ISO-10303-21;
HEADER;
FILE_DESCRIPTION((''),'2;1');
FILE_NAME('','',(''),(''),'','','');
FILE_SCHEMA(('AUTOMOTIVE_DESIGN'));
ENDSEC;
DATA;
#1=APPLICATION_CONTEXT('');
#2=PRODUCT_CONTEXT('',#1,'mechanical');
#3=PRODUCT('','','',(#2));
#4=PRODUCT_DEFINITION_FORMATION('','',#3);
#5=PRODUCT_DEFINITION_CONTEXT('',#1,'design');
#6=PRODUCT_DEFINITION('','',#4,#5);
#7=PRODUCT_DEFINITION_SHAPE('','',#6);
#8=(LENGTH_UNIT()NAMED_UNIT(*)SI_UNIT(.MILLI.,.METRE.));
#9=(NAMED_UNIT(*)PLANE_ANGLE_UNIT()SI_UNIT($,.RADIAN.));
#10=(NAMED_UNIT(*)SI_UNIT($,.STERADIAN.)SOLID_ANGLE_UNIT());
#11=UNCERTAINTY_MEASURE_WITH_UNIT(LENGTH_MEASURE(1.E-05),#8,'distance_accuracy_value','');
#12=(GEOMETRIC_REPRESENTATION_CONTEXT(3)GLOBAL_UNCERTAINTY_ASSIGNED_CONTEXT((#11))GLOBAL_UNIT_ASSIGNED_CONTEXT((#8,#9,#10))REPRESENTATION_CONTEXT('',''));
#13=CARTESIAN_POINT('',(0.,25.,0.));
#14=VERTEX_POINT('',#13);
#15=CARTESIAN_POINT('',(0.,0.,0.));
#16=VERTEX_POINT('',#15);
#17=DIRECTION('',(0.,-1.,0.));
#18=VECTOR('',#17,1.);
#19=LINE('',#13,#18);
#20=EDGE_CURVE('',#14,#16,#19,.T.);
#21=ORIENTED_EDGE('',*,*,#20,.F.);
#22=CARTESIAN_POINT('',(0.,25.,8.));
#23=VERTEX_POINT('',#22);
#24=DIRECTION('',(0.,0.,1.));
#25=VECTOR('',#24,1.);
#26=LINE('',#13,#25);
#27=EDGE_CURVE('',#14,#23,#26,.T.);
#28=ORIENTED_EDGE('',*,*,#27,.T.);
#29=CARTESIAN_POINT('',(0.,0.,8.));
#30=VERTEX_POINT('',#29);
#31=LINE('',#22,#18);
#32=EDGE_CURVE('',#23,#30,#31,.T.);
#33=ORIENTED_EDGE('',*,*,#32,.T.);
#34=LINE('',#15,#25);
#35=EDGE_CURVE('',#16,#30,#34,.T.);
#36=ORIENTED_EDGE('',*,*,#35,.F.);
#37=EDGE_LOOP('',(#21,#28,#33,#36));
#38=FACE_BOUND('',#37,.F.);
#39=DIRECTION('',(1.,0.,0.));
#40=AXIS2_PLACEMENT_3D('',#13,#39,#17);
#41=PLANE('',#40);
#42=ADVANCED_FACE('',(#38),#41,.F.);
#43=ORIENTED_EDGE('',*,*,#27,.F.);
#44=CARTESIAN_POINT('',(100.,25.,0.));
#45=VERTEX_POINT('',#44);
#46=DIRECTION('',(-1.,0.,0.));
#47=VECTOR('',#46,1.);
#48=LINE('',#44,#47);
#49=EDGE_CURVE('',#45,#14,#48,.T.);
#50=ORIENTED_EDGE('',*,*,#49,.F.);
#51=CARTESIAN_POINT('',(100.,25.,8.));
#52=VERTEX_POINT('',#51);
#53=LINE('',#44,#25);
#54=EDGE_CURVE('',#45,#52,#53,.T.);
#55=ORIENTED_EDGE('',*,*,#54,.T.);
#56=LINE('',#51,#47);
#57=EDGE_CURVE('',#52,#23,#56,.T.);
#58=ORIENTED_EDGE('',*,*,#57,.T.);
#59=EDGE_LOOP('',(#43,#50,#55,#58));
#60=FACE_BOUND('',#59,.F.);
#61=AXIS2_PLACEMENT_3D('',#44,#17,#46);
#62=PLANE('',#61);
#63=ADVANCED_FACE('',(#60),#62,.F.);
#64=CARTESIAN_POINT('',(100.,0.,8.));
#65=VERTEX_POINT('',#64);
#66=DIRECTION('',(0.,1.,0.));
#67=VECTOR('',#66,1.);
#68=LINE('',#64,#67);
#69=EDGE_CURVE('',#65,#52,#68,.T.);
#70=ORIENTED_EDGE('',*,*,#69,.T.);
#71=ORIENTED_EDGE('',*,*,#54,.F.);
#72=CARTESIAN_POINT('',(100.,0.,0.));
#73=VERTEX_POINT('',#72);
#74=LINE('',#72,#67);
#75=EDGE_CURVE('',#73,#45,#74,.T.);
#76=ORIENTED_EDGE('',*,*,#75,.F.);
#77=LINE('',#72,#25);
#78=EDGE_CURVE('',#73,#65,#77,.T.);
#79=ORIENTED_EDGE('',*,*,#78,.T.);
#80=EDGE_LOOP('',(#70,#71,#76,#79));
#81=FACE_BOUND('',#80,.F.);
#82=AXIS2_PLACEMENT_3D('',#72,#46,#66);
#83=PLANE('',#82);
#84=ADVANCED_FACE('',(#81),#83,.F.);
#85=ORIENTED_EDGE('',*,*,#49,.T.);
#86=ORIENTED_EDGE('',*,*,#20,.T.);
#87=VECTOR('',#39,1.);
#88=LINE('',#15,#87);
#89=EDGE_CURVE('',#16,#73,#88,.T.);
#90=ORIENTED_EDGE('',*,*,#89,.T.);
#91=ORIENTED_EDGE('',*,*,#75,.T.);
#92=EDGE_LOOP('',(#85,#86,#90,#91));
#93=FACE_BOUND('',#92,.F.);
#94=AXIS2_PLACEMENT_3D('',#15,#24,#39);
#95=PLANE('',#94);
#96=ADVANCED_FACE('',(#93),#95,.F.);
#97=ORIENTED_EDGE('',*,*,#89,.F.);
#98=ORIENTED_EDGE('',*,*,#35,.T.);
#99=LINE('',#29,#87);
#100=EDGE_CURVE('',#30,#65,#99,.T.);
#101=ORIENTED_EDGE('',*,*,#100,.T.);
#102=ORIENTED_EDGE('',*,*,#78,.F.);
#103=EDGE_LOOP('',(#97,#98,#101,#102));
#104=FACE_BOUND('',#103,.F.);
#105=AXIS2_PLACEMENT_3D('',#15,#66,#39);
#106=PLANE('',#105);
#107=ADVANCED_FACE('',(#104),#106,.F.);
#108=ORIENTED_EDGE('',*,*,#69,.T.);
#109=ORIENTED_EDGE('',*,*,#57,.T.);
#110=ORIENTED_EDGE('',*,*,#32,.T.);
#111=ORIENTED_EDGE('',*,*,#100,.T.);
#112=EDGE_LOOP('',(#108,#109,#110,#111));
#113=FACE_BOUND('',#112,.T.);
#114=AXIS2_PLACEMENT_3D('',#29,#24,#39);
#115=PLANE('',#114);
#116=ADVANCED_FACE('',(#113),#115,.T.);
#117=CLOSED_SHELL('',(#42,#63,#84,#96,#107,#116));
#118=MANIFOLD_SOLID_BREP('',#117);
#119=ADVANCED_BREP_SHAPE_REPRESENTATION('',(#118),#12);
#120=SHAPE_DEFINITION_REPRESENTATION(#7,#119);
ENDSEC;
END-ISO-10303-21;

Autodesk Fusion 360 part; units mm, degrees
sketch "Sketch1" plane through (0, 0, 0) normal (0, 0, 1) x (1, 0, 0)
  line L0 (0, 0) -> (100, 0)
  line L1 (100, 0) -> (100, 25)
  line L2 (100, 25) -> (0, 25)
  line L3 (0, 25) -> (0, 0)
extrude "Extrude1" add sketch "Sketch1" along normal blind 10
extrude "Extrude2" cut 1 faces at (33.3333, 16.6667, 10) along direction (0, 0, -1) blind 2
